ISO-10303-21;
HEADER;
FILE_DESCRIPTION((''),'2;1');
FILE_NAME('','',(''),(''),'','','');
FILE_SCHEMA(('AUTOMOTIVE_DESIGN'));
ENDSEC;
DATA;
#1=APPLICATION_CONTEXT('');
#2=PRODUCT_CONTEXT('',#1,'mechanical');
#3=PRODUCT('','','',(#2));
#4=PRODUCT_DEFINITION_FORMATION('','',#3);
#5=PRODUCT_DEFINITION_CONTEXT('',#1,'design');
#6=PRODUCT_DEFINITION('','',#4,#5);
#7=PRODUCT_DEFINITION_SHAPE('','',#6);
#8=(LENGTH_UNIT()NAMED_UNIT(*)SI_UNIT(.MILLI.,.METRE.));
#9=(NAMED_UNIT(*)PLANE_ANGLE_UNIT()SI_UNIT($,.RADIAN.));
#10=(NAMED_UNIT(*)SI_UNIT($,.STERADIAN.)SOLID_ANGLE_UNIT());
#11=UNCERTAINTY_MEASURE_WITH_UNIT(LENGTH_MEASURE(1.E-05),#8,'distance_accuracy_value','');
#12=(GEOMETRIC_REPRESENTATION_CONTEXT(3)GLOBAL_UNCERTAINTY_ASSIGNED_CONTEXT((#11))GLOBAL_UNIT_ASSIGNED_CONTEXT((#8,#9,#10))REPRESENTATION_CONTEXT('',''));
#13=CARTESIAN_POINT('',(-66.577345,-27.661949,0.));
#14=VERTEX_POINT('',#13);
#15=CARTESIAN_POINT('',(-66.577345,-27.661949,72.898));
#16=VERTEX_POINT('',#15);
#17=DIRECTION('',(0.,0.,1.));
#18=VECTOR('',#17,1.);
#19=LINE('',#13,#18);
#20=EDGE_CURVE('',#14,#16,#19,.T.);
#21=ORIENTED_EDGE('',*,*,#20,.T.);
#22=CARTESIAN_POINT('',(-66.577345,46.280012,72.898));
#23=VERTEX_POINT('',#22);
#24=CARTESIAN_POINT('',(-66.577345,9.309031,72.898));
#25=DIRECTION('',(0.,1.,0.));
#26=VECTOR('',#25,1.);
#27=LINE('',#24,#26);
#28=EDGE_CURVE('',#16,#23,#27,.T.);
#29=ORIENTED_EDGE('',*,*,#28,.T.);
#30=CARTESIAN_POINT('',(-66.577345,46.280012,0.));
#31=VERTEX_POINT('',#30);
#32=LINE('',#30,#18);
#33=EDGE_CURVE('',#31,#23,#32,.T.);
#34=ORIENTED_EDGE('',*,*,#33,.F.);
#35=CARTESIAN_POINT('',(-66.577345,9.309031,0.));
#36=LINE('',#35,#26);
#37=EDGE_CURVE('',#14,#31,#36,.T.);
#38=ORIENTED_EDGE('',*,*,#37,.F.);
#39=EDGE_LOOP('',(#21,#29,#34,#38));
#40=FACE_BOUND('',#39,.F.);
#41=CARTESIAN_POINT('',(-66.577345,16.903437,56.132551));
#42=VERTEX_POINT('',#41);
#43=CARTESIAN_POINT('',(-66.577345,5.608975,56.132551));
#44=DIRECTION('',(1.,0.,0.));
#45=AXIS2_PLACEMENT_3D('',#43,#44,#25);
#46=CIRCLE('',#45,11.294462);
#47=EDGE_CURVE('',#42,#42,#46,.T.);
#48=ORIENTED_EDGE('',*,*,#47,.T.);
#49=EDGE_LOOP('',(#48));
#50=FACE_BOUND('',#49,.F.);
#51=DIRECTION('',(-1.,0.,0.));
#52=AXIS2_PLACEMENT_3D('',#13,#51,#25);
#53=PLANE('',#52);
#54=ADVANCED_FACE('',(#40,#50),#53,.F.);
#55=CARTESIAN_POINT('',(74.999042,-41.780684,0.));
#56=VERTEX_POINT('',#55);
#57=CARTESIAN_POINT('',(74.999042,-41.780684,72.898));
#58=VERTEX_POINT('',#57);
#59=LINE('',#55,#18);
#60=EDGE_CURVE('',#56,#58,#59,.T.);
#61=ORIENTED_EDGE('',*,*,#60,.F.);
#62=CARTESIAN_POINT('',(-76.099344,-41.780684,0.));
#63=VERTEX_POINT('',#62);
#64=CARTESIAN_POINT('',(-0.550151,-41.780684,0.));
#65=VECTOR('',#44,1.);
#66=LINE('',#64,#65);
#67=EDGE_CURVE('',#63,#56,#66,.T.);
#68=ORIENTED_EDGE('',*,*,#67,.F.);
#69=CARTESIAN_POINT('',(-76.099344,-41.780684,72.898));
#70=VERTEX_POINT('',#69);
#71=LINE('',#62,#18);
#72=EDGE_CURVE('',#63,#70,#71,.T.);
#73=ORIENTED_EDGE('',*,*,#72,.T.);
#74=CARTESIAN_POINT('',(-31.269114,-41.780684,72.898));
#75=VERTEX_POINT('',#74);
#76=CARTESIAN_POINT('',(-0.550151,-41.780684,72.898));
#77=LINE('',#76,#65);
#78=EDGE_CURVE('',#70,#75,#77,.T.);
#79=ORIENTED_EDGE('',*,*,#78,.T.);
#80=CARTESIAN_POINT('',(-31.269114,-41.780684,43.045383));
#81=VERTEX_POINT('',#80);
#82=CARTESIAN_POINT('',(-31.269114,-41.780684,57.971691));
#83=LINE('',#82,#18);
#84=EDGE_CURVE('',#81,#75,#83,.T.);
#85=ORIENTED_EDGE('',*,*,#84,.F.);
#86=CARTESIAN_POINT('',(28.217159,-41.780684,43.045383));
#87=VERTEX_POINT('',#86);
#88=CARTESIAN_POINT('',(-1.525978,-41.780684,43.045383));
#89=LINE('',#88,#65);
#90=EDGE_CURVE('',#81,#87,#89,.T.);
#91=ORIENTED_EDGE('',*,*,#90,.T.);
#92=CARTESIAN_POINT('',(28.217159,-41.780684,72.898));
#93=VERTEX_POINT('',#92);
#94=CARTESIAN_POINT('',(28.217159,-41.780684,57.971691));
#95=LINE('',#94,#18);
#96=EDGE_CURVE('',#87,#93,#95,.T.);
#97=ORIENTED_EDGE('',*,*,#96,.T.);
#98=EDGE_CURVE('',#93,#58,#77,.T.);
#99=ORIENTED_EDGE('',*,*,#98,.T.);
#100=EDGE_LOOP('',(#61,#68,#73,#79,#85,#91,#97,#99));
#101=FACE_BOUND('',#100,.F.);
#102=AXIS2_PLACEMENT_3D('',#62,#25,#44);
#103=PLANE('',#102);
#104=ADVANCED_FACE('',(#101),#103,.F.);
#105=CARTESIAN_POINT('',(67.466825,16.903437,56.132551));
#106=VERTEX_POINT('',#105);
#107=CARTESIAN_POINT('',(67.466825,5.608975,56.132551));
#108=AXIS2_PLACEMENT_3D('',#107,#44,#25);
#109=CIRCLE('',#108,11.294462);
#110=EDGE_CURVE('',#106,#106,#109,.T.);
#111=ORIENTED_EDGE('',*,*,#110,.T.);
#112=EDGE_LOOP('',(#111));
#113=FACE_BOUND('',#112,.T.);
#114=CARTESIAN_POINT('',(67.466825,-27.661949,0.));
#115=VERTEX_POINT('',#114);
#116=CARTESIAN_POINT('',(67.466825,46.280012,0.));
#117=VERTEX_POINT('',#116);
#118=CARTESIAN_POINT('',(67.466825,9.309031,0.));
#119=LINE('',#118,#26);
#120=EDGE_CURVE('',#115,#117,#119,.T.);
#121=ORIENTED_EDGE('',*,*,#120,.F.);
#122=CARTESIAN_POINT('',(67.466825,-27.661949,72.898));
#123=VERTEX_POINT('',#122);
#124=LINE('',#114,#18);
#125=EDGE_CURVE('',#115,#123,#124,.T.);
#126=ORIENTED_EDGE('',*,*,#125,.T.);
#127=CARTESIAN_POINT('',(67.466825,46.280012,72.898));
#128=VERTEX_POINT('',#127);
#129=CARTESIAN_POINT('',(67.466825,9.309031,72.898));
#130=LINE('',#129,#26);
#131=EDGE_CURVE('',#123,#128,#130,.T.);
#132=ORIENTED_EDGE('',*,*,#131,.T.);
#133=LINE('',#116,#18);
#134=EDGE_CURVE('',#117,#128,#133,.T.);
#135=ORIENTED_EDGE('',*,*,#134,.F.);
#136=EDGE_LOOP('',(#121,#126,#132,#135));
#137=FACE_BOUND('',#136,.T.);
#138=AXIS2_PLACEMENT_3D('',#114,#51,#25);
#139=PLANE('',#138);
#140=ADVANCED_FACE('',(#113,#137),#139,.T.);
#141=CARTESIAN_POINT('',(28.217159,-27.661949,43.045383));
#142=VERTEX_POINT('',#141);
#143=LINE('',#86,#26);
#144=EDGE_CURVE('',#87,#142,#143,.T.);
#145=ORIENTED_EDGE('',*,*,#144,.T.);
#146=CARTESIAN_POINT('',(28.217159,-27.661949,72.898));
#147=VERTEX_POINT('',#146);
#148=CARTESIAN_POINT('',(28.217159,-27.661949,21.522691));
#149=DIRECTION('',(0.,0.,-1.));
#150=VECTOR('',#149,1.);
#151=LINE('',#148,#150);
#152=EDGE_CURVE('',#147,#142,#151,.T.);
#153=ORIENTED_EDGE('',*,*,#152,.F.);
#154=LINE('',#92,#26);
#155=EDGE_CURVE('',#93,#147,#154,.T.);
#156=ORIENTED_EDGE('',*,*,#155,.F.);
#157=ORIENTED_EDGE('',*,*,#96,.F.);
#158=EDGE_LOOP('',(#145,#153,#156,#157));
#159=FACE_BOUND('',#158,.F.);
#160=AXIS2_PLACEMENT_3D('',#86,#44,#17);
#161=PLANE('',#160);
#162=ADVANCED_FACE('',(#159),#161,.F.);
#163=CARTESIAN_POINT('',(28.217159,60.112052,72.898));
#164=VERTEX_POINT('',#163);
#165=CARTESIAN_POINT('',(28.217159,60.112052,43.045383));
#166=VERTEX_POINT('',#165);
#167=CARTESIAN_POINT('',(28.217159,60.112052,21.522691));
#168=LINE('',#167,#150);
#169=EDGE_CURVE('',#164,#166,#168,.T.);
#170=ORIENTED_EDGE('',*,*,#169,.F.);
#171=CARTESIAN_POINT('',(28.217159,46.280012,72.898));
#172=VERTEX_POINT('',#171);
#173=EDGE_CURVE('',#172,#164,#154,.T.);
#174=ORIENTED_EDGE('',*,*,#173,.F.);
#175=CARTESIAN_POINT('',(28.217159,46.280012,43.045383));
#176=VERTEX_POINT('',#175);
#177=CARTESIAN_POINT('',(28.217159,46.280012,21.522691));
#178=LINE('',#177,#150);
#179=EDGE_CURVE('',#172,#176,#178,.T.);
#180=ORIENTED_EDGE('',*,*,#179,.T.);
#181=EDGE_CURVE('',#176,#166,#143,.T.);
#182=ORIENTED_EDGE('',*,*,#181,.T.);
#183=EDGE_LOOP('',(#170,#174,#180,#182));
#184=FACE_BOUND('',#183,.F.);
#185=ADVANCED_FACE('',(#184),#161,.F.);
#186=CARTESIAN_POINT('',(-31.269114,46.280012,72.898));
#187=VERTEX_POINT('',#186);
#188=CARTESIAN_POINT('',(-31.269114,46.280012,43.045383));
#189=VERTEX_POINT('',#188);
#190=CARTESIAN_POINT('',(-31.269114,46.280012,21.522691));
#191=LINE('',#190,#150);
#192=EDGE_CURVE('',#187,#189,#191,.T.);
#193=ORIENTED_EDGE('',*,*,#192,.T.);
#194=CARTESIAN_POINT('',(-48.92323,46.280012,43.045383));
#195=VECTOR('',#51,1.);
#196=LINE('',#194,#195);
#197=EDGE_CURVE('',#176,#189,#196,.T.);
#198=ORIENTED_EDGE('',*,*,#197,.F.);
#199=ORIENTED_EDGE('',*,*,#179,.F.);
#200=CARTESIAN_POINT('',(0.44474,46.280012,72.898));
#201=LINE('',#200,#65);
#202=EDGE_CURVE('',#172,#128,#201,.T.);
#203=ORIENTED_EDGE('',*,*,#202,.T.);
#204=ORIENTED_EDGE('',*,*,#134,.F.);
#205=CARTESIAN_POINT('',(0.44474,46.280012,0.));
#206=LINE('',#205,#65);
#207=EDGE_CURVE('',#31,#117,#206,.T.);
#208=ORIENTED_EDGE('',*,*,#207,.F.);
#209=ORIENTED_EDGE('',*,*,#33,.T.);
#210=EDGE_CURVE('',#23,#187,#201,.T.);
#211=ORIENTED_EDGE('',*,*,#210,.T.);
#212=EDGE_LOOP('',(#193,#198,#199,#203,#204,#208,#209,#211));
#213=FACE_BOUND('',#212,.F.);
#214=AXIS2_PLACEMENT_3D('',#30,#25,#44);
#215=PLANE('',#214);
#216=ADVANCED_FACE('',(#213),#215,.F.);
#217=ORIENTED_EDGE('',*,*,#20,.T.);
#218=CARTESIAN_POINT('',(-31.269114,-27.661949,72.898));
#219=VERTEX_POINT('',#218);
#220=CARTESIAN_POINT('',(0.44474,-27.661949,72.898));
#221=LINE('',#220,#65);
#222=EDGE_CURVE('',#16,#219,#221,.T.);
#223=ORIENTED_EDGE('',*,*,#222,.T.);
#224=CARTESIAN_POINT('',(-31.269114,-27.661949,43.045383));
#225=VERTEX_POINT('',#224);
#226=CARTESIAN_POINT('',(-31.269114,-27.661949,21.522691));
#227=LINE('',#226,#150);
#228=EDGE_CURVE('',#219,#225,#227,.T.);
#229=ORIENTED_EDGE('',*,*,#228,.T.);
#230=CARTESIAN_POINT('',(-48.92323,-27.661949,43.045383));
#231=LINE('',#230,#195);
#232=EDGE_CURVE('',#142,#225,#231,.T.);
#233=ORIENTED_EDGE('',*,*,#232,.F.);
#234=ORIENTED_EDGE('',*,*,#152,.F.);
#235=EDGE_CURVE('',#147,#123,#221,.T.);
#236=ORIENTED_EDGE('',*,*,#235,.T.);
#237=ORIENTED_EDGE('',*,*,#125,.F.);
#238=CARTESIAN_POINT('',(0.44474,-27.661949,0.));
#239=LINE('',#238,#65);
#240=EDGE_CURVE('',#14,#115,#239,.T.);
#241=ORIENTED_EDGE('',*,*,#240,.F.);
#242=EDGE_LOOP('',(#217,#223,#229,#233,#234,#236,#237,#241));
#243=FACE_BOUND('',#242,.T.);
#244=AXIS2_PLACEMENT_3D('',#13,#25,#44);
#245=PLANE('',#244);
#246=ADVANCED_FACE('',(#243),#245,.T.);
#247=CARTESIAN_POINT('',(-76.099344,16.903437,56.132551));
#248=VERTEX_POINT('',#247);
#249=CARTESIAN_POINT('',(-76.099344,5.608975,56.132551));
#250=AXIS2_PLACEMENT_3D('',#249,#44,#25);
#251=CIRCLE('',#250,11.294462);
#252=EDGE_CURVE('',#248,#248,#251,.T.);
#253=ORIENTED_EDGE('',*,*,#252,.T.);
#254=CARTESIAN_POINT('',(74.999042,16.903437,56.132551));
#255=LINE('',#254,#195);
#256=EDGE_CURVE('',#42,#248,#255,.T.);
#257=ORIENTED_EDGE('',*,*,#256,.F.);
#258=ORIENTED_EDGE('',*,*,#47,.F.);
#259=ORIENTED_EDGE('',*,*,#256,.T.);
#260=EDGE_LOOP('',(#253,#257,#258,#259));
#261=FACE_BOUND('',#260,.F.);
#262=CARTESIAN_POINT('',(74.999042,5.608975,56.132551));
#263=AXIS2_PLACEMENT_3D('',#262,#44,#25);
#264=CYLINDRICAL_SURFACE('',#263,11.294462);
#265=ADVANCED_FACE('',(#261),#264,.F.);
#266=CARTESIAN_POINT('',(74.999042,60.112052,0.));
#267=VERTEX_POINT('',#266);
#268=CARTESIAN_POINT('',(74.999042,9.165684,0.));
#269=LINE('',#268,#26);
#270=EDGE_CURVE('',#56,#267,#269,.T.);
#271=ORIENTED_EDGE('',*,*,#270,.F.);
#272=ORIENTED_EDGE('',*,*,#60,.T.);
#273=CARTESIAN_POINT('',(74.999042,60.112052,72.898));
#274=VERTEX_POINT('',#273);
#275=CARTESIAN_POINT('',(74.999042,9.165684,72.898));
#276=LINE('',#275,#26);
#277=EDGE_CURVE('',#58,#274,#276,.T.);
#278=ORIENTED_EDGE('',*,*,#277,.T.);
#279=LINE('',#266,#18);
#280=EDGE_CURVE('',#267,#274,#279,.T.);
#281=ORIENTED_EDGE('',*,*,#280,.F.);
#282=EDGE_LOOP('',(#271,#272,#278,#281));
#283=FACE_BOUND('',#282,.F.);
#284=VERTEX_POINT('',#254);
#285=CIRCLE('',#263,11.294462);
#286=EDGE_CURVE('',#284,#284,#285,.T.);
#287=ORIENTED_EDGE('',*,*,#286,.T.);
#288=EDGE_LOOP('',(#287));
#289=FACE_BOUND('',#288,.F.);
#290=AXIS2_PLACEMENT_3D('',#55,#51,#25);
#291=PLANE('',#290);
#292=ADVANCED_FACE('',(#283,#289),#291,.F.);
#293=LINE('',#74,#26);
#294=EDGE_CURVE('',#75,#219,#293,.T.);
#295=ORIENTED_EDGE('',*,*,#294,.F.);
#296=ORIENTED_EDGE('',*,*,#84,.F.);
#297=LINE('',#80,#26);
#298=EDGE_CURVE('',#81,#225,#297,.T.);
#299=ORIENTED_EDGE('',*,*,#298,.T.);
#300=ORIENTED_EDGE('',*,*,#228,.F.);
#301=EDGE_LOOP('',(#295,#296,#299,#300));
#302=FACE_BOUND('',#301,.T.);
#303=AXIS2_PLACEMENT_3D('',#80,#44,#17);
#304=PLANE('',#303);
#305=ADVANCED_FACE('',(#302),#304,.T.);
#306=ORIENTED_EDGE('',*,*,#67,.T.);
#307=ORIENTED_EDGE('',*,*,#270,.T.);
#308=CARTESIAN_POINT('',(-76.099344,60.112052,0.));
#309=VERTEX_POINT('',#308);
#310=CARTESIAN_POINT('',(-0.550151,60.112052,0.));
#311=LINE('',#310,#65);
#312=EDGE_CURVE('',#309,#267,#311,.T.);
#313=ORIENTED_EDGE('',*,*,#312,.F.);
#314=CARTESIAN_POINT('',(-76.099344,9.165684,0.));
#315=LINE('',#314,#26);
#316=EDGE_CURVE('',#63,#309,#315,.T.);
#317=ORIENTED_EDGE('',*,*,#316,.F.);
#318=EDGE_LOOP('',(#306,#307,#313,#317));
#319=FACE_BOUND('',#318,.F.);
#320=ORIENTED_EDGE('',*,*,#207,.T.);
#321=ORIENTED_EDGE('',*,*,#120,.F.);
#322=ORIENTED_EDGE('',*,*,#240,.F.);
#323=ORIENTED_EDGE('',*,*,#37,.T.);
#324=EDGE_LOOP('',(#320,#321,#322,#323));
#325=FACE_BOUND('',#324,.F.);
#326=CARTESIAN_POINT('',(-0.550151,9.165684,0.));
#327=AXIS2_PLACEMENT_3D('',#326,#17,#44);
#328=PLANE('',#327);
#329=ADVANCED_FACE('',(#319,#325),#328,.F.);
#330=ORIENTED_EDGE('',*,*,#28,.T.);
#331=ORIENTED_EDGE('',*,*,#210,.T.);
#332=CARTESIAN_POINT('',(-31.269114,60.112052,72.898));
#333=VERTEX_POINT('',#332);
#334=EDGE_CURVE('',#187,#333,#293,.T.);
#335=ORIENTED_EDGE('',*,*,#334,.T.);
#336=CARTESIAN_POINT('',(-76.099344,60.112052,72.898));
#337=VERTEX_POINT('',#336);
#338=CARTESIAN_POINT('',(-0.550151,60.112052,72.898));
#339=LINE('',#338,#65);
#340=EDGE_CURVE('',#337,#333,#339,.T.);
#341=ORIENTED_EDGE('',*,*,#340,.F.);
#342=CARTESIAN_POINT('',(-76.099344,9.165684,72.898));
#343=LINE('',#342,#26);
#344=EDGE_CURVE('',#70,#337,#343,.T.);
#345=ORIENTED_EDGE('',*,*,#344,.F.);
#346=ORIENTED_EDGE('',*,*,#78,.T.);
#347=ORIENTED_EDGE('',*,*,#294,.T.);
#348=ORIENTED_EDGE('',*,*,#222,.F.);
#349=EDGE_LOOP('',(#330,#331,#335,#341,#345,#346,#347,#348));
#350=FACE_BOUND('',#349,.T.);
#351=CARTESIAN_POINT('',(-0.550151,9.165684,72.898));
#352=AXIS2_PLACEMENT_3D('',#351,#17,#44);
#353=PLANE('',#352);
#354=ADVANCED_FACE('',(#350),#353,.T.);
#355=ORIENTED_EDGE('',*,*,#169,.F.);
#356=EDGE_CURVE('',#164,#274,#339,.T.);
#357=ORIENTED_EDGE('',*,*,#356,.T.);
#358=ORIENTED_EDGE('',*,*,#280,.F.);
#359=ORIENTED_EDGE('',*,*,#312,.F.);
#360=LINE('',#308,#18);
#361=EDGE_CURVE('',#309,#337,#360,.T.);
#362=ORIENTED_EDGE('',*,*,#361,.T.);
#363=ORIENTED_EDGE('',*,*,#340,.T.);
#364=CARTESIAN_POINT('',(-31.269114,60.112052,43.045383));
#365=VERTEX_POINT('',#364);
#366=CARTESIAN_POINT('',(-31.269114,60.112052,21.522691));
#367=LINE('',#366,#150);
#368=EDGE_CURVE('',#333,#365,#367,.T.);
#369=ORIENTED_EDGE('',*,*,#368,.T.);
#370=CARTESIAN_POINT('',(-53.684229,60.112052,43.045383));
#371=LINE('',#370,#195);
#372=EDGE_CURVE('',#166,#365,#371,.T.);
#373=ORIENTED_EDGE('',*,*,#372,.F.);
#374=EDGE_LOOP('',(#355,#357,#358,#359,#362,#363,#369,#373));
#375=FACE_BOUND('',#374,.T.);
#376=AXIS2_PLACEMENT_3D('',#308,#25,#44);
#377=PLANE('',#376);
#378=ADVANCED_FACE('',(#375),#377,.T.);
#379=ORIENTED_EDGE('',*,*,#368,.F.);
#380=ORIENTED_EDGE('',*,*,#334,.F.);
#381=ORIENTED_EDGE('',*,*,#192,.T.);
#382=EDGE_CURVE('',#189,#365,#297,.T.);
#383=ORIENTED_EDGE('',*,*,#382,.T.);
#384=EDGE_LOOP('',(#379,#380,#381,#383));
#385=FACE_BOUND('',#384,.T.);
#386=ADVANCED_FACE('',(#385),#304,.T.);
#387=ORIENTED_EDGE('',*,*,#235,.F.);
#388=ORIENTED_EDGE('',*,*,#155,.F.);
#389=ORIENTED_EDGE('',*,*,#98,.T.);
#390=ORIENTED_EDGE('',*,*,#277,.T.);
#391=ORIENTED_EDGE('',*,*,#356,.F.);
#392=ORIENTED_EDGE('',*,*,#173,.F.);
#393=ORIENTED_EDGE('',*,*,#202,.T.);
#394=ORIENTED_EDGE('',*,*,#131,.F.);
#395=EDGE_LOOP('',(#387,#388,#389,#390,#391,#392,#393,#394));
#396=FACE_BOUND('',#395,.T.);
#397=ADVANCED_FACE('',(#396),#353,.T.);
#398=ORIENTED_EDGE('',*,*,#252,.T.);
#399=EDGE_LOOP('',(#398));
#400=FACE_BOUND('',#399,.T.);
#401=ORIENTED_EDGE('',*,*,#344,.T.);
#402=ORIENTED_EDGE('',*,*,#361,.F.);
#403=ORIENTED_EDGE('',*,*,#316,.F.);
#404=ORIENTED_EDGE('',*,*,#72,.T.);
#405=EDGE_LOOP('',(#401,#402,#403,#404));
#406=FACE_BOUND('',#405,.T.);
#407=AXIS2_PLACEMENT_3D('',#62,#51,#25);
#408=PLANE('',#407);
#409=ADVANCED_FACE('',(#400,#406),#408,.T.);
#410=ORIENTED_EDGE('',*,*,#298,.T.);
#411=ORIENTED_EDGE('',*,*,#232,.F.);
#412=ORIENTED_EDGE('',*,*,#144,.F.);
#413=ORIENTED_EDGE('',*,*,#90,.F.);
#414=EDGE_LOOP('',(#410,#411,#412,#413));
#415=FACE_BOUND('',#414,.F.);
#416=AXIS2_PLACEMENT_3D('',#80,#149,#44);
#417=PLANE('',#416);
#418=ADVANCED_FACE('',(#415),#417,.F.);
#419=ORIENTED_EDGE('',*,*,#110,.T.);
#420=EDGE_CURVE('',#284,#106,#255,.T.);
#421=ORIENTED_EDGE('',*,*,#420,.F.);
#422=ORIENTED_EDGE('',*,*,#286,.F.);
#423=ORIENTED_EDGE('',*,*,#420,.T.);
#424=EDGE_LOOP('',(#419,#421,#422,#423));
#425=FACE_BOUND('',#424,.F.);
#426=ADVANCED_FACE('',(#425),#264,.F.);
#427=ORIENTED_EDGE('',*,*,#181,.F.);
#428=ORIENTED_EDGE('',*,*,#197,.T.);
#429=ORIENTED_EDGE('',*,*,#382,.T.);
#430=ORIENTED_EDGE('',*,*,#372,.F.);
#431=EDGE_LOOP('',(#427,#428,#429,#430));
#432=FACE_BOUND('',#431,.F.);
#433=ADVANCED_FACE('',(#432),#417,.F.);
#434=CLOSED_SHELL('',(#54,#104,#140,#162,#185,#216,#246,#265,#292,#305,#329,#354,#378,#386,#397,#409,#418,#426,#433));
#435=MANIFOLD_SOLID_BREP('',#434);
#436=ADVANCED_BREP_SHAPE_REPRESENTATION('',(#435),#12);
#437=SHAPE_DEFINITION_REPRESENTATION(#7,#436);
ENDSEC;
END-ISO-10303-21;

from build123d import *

# Parameters (mm, degrees)
F0_W     = 151.0983854532
F0_H     = 101.8927358091
F0_W_2   = 134.0441703796
F0_H_2   = 73.9419609308
F1_DEPTH = 72.898
F2_W     = 59.4862736762
F2_H     = 29.8526170533
F3_DEPTH = 161.29
F4_R     = 11.294462473
F5_DEPTH = 227.838


with BuildPart() as f1:
    # F0 (on Top) → F1 (new body)
    with BuildSketch(Plane.XY):
        with Locations((-0.5501508713, 9.1656837612)):
            Rectangle(F0_W, F0_H)
        with Locations((0.444740057, 9.3090310693)):
            Rectangle(F0_W_2, F0_H_2, mode=Mode.SUBTRACT)
    extrude(amount=F1_DEPTH)

    # F2 (on face) → F3 (cut)
    with BuildSketch(Plane.XZ.offset(41.7806841433)):
        with Locations((-1.5259776264, 57.9716914734)):
            Rectangle(F2_W, F2_H)
    extrude(amount=-F3_DEPTH, mode=Mode.SUBTRACT)

    # F4 (on face) → F5 (cut)
    with BuildSketch(Plane.YZ.offset(74.9990418553)):
        with Locations((5.608974956, 56.1325512826)):
            Circle(F4_R)
    extrude(amount=-F5_DEPTH, mode=Mode.SUBTRACT)


solid = f1.part
